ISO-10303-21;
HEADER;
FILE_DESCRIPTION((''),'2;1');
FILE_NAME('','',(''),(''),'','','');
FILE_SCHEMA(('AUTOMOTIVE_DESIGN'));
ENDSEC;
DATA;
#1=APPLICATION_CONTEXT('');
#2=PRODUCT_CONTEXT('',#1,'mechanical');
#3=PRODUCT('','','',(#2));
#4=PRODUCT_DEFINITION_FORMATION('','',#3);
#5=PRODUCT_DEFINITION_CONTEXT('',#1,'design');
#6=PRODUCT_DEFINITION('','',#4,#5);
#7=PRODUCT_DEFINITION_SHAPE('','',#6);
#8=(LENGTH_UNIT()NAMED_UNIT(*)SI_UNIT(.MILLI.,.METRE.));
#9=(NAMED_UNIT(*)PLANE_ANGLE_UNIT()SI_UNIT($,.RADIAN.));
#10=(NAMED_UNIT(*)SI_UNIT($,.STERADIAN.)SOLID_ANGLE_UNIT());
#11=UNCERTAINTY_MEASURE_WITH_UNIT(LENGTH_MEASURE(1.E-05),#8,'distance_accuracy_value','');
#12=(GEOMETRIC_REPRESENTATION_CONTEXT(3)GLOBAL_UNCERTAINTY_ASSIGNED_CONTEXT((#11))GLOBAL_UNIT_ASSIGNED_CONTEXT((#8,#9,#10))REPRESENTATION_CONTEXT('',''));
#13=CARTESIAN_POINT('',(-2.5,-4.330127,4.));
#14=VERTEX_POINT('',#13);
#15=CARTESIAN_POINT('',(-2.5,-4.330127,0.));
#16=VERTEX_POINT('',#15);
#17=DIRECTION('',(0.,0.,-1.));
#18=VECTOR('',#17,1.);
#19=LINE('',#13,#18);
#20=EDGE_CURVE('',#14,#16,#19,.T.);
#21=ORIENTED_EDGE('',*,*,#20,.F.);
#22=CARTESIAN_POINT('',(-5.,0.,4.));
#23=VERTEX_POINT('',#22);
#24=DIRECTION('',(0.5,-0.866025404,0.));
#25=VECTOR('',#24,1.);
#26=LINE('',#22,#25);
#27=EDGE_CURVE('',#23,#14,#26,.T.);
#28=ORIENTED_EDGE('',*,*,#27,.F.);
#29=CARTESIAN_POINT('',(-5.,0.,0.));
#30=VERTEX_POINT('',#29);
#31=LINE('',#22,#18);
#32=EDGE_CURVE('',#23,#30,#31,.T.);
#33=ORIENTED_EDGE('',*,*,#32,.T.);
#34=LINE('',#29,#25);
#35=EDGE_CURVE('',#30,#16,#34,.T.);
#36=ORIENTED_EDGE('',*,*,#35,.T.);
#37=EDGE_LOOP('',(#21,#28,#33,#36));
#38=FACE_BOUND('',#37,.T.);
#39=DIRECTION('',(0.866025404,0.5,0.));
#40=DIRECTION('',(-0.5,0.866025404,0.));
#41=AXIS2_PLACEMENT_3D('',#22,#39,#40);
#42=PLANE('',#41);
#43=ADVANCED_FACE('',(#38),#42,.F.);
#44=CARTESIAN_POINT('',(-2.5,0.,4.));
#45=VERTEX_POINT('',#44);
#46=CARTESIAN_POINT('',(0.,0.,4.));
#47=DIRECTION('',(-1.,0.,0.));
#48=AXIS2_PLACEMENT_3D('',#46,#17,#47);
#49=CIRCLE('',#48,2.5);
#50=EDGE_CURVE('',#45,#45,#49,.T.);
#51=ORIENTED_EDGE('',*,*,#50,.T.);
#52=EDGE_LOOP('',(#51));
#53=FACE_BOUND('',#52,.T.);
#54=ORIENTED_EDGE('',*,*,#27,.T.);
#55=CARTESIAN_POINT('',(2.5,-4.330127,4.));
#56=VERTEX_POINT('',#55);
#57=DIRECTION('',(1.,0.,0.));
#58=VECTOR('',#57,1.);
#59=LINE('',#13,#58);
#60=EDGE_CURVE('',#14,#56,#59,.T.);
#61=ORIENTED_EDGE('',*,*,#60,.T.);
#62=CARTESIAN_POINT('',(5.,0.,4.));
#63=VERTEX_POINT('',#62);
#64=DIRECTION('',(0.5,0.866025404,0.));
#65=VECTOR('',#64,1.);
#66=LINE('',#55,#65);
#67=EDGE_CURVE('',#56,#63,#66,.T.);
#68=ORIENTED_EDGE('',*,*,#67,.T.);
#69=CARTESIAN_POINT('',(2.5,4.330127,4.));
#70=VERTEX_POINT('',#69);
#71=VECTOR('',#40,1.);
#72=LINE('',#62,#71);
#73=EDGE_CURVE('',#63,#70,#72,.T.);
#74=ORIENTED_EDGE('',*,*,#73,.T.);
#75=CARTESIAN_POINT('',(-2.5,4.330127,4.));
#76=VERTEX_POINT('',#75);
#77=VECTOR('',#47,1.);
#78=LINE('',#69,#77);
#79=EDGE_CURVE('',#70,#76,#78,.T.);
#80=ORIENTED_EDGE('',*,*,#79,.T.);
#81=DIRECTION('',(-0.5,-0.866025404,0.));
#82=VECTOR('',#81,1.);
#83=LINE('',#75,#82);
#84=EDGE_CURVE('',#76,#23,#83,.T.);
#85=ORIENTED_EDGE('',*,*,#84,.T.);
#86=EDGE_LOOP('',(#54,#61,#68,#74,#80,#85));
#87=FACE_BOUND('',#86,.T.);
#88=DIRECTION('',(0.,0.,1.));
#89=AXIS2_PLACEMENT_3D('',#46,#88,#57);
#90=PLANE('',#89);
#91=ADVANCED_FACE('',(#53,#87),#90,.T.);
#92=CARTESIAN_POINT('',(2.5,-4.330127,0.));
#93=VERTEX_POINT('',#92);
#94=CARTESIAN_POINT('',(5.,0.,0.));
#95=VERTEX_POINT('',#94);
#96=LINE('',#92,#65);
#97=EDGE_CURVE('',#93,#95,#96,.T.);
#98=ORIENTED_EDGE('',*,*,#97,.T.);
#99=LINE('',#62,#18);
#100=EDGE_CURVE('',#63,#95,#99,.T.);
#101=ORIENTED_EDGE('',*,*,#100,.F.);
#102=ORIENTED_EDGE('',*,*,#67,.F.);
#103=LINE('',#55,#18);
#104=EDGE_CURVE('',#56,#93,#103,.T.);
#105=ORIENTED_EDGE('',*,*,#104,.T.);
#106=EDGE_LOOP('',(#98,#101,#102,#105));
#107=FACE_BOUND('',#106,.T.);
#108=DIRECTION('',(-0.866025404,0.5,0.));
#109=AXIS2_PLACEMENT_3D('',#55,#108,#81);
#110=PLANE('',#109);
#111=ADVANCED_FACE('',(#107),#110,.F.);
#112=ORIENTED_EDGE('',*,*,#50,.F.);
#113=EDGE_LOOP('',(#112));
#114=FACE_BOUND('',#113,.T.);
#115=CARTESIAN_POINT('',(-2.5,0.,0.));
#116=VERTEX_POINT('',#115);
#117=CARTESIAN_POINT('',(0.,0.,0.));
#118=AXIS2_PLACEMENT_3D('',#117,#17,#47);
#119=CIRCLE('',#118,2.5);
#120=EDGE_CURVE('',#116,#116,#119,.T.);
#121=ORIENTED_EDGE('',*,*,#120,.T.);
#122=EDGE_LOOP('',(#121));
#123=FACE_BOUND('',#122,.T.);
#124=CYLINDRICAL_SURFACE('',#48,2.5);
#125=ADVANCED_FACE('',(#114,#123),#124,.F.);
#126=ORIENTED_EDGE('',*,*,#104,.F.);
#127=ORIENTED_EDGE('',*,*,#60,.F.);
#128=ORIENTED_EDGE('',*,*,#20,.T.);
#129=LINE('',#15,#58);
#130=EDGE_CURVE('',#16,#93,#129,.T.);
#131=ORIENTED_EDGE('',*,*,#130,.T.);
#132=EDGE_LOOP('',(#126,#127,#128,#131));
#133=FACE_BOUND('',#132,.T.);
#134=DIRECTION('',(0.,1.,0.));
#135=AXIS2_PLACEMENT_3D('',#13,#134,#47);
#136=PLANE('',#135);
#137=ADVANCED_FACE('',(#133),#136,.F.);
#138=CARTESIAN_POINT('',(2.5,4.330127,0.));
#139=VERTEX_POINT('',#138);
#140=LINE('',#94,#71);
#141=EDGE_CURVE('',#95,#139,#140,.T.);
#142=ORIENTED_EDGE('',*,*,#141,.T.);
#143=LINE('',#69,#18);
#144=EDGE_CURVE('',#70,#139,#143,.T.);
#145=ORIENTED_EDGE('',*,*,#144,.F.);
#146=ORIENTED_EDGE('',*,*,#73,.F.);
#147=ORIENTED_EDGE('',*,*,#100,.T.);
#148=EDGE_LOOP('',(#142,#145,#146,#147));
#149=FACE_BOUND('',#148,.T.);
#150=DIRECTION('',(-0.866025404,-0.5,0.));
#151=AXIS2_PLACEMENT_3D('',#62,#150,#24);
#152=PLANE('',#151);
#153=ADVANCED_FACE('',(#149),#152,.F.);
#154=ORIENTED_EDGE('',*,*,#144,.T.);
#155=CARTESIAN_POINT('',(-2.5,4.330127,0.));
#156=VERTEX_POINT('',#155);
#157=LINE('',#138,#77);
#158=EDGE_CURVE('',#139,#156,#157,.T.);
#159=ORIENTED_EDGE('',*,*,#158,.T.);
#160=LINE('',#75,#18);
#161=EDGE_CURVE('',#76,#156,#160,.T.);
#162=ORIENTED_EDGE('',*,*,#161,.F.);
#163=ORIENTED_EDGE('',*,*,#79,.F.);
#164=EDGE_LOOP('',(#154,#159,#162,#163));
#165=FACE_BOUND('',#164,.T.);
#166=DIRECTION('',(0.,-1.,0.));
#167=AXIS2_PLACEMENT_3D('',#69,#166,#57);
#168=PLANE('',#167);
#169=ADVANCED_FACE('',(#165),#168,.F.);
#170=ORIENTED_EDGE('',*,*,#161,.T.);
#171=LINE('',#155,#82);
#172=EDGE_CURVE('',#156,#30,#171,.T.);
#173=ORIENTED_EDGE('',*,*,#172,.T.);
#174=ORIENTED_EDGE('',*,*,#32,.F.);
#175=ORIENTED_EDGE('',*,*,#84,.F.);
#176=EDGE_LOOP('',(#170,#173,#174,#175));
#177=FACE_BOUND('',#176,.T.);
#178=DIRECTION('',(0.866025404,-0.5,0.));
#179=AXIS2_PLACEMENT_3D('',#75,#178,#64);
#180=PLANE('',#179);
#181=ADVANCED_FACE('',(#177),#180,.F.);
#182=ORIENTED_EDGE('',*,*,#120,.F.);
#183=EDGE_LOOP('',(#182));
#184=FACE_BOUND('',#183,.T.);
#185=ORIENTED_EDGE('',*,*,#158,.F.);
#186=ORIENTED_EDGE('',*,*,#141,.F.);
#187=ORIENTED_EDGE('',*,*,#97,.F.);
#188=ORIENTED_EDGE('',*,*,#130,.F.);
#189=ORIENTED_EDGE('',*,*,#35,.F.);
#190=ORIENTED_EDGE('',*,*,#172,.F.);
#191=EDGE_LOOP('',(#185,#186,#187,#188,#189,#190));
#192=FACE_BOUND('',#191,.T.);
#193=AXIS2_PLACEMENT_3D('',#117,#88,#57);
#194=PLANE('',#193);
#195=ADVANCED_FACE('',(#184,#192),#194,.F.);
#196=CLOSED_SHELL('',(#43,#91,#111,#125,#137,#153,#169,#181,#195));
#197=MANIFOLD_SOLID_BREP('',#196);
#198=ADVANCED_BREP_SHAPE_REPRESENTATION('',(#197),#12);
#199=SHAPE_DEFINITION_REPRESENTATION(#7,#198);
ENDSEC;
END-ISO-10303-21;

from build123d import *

# Parameters (mm, degrees)
SALIENTE_EXTRUIR1_DEPTH = 4
CROQUIS3_R              = 2.5
CORTAR_EXTRUIR1_DEPTH   = 5


with BuildPart() as part:
    # Croquis2 → Saliente-Extruir1 (new body)
    with BuildSketch(Plane.XY):
        Polygon((5, 0), (2.5, 4.330127019), (-2.5, 4.330127019), (-5, 0), (-2.5, -4.330127019), (2.5, -4.330127019), align=None)
    extrude(amount=SALIENTE_EXTRUIR1_DEPTH)

    # Croquis3 → Cortar-Extruir1 (cut, through all)
    with BuildSketch(Plane(origin=(0, 0, 0), x_dir=(-1, 0, 0), z_dir=(0, 0, -1))):
        Circle(CROQUIS3_R)
    extrude(amount=-CORTAR_EXTRUIR1_DEPTH, mode=Mode.SUBTRACT)


solid = part.part
